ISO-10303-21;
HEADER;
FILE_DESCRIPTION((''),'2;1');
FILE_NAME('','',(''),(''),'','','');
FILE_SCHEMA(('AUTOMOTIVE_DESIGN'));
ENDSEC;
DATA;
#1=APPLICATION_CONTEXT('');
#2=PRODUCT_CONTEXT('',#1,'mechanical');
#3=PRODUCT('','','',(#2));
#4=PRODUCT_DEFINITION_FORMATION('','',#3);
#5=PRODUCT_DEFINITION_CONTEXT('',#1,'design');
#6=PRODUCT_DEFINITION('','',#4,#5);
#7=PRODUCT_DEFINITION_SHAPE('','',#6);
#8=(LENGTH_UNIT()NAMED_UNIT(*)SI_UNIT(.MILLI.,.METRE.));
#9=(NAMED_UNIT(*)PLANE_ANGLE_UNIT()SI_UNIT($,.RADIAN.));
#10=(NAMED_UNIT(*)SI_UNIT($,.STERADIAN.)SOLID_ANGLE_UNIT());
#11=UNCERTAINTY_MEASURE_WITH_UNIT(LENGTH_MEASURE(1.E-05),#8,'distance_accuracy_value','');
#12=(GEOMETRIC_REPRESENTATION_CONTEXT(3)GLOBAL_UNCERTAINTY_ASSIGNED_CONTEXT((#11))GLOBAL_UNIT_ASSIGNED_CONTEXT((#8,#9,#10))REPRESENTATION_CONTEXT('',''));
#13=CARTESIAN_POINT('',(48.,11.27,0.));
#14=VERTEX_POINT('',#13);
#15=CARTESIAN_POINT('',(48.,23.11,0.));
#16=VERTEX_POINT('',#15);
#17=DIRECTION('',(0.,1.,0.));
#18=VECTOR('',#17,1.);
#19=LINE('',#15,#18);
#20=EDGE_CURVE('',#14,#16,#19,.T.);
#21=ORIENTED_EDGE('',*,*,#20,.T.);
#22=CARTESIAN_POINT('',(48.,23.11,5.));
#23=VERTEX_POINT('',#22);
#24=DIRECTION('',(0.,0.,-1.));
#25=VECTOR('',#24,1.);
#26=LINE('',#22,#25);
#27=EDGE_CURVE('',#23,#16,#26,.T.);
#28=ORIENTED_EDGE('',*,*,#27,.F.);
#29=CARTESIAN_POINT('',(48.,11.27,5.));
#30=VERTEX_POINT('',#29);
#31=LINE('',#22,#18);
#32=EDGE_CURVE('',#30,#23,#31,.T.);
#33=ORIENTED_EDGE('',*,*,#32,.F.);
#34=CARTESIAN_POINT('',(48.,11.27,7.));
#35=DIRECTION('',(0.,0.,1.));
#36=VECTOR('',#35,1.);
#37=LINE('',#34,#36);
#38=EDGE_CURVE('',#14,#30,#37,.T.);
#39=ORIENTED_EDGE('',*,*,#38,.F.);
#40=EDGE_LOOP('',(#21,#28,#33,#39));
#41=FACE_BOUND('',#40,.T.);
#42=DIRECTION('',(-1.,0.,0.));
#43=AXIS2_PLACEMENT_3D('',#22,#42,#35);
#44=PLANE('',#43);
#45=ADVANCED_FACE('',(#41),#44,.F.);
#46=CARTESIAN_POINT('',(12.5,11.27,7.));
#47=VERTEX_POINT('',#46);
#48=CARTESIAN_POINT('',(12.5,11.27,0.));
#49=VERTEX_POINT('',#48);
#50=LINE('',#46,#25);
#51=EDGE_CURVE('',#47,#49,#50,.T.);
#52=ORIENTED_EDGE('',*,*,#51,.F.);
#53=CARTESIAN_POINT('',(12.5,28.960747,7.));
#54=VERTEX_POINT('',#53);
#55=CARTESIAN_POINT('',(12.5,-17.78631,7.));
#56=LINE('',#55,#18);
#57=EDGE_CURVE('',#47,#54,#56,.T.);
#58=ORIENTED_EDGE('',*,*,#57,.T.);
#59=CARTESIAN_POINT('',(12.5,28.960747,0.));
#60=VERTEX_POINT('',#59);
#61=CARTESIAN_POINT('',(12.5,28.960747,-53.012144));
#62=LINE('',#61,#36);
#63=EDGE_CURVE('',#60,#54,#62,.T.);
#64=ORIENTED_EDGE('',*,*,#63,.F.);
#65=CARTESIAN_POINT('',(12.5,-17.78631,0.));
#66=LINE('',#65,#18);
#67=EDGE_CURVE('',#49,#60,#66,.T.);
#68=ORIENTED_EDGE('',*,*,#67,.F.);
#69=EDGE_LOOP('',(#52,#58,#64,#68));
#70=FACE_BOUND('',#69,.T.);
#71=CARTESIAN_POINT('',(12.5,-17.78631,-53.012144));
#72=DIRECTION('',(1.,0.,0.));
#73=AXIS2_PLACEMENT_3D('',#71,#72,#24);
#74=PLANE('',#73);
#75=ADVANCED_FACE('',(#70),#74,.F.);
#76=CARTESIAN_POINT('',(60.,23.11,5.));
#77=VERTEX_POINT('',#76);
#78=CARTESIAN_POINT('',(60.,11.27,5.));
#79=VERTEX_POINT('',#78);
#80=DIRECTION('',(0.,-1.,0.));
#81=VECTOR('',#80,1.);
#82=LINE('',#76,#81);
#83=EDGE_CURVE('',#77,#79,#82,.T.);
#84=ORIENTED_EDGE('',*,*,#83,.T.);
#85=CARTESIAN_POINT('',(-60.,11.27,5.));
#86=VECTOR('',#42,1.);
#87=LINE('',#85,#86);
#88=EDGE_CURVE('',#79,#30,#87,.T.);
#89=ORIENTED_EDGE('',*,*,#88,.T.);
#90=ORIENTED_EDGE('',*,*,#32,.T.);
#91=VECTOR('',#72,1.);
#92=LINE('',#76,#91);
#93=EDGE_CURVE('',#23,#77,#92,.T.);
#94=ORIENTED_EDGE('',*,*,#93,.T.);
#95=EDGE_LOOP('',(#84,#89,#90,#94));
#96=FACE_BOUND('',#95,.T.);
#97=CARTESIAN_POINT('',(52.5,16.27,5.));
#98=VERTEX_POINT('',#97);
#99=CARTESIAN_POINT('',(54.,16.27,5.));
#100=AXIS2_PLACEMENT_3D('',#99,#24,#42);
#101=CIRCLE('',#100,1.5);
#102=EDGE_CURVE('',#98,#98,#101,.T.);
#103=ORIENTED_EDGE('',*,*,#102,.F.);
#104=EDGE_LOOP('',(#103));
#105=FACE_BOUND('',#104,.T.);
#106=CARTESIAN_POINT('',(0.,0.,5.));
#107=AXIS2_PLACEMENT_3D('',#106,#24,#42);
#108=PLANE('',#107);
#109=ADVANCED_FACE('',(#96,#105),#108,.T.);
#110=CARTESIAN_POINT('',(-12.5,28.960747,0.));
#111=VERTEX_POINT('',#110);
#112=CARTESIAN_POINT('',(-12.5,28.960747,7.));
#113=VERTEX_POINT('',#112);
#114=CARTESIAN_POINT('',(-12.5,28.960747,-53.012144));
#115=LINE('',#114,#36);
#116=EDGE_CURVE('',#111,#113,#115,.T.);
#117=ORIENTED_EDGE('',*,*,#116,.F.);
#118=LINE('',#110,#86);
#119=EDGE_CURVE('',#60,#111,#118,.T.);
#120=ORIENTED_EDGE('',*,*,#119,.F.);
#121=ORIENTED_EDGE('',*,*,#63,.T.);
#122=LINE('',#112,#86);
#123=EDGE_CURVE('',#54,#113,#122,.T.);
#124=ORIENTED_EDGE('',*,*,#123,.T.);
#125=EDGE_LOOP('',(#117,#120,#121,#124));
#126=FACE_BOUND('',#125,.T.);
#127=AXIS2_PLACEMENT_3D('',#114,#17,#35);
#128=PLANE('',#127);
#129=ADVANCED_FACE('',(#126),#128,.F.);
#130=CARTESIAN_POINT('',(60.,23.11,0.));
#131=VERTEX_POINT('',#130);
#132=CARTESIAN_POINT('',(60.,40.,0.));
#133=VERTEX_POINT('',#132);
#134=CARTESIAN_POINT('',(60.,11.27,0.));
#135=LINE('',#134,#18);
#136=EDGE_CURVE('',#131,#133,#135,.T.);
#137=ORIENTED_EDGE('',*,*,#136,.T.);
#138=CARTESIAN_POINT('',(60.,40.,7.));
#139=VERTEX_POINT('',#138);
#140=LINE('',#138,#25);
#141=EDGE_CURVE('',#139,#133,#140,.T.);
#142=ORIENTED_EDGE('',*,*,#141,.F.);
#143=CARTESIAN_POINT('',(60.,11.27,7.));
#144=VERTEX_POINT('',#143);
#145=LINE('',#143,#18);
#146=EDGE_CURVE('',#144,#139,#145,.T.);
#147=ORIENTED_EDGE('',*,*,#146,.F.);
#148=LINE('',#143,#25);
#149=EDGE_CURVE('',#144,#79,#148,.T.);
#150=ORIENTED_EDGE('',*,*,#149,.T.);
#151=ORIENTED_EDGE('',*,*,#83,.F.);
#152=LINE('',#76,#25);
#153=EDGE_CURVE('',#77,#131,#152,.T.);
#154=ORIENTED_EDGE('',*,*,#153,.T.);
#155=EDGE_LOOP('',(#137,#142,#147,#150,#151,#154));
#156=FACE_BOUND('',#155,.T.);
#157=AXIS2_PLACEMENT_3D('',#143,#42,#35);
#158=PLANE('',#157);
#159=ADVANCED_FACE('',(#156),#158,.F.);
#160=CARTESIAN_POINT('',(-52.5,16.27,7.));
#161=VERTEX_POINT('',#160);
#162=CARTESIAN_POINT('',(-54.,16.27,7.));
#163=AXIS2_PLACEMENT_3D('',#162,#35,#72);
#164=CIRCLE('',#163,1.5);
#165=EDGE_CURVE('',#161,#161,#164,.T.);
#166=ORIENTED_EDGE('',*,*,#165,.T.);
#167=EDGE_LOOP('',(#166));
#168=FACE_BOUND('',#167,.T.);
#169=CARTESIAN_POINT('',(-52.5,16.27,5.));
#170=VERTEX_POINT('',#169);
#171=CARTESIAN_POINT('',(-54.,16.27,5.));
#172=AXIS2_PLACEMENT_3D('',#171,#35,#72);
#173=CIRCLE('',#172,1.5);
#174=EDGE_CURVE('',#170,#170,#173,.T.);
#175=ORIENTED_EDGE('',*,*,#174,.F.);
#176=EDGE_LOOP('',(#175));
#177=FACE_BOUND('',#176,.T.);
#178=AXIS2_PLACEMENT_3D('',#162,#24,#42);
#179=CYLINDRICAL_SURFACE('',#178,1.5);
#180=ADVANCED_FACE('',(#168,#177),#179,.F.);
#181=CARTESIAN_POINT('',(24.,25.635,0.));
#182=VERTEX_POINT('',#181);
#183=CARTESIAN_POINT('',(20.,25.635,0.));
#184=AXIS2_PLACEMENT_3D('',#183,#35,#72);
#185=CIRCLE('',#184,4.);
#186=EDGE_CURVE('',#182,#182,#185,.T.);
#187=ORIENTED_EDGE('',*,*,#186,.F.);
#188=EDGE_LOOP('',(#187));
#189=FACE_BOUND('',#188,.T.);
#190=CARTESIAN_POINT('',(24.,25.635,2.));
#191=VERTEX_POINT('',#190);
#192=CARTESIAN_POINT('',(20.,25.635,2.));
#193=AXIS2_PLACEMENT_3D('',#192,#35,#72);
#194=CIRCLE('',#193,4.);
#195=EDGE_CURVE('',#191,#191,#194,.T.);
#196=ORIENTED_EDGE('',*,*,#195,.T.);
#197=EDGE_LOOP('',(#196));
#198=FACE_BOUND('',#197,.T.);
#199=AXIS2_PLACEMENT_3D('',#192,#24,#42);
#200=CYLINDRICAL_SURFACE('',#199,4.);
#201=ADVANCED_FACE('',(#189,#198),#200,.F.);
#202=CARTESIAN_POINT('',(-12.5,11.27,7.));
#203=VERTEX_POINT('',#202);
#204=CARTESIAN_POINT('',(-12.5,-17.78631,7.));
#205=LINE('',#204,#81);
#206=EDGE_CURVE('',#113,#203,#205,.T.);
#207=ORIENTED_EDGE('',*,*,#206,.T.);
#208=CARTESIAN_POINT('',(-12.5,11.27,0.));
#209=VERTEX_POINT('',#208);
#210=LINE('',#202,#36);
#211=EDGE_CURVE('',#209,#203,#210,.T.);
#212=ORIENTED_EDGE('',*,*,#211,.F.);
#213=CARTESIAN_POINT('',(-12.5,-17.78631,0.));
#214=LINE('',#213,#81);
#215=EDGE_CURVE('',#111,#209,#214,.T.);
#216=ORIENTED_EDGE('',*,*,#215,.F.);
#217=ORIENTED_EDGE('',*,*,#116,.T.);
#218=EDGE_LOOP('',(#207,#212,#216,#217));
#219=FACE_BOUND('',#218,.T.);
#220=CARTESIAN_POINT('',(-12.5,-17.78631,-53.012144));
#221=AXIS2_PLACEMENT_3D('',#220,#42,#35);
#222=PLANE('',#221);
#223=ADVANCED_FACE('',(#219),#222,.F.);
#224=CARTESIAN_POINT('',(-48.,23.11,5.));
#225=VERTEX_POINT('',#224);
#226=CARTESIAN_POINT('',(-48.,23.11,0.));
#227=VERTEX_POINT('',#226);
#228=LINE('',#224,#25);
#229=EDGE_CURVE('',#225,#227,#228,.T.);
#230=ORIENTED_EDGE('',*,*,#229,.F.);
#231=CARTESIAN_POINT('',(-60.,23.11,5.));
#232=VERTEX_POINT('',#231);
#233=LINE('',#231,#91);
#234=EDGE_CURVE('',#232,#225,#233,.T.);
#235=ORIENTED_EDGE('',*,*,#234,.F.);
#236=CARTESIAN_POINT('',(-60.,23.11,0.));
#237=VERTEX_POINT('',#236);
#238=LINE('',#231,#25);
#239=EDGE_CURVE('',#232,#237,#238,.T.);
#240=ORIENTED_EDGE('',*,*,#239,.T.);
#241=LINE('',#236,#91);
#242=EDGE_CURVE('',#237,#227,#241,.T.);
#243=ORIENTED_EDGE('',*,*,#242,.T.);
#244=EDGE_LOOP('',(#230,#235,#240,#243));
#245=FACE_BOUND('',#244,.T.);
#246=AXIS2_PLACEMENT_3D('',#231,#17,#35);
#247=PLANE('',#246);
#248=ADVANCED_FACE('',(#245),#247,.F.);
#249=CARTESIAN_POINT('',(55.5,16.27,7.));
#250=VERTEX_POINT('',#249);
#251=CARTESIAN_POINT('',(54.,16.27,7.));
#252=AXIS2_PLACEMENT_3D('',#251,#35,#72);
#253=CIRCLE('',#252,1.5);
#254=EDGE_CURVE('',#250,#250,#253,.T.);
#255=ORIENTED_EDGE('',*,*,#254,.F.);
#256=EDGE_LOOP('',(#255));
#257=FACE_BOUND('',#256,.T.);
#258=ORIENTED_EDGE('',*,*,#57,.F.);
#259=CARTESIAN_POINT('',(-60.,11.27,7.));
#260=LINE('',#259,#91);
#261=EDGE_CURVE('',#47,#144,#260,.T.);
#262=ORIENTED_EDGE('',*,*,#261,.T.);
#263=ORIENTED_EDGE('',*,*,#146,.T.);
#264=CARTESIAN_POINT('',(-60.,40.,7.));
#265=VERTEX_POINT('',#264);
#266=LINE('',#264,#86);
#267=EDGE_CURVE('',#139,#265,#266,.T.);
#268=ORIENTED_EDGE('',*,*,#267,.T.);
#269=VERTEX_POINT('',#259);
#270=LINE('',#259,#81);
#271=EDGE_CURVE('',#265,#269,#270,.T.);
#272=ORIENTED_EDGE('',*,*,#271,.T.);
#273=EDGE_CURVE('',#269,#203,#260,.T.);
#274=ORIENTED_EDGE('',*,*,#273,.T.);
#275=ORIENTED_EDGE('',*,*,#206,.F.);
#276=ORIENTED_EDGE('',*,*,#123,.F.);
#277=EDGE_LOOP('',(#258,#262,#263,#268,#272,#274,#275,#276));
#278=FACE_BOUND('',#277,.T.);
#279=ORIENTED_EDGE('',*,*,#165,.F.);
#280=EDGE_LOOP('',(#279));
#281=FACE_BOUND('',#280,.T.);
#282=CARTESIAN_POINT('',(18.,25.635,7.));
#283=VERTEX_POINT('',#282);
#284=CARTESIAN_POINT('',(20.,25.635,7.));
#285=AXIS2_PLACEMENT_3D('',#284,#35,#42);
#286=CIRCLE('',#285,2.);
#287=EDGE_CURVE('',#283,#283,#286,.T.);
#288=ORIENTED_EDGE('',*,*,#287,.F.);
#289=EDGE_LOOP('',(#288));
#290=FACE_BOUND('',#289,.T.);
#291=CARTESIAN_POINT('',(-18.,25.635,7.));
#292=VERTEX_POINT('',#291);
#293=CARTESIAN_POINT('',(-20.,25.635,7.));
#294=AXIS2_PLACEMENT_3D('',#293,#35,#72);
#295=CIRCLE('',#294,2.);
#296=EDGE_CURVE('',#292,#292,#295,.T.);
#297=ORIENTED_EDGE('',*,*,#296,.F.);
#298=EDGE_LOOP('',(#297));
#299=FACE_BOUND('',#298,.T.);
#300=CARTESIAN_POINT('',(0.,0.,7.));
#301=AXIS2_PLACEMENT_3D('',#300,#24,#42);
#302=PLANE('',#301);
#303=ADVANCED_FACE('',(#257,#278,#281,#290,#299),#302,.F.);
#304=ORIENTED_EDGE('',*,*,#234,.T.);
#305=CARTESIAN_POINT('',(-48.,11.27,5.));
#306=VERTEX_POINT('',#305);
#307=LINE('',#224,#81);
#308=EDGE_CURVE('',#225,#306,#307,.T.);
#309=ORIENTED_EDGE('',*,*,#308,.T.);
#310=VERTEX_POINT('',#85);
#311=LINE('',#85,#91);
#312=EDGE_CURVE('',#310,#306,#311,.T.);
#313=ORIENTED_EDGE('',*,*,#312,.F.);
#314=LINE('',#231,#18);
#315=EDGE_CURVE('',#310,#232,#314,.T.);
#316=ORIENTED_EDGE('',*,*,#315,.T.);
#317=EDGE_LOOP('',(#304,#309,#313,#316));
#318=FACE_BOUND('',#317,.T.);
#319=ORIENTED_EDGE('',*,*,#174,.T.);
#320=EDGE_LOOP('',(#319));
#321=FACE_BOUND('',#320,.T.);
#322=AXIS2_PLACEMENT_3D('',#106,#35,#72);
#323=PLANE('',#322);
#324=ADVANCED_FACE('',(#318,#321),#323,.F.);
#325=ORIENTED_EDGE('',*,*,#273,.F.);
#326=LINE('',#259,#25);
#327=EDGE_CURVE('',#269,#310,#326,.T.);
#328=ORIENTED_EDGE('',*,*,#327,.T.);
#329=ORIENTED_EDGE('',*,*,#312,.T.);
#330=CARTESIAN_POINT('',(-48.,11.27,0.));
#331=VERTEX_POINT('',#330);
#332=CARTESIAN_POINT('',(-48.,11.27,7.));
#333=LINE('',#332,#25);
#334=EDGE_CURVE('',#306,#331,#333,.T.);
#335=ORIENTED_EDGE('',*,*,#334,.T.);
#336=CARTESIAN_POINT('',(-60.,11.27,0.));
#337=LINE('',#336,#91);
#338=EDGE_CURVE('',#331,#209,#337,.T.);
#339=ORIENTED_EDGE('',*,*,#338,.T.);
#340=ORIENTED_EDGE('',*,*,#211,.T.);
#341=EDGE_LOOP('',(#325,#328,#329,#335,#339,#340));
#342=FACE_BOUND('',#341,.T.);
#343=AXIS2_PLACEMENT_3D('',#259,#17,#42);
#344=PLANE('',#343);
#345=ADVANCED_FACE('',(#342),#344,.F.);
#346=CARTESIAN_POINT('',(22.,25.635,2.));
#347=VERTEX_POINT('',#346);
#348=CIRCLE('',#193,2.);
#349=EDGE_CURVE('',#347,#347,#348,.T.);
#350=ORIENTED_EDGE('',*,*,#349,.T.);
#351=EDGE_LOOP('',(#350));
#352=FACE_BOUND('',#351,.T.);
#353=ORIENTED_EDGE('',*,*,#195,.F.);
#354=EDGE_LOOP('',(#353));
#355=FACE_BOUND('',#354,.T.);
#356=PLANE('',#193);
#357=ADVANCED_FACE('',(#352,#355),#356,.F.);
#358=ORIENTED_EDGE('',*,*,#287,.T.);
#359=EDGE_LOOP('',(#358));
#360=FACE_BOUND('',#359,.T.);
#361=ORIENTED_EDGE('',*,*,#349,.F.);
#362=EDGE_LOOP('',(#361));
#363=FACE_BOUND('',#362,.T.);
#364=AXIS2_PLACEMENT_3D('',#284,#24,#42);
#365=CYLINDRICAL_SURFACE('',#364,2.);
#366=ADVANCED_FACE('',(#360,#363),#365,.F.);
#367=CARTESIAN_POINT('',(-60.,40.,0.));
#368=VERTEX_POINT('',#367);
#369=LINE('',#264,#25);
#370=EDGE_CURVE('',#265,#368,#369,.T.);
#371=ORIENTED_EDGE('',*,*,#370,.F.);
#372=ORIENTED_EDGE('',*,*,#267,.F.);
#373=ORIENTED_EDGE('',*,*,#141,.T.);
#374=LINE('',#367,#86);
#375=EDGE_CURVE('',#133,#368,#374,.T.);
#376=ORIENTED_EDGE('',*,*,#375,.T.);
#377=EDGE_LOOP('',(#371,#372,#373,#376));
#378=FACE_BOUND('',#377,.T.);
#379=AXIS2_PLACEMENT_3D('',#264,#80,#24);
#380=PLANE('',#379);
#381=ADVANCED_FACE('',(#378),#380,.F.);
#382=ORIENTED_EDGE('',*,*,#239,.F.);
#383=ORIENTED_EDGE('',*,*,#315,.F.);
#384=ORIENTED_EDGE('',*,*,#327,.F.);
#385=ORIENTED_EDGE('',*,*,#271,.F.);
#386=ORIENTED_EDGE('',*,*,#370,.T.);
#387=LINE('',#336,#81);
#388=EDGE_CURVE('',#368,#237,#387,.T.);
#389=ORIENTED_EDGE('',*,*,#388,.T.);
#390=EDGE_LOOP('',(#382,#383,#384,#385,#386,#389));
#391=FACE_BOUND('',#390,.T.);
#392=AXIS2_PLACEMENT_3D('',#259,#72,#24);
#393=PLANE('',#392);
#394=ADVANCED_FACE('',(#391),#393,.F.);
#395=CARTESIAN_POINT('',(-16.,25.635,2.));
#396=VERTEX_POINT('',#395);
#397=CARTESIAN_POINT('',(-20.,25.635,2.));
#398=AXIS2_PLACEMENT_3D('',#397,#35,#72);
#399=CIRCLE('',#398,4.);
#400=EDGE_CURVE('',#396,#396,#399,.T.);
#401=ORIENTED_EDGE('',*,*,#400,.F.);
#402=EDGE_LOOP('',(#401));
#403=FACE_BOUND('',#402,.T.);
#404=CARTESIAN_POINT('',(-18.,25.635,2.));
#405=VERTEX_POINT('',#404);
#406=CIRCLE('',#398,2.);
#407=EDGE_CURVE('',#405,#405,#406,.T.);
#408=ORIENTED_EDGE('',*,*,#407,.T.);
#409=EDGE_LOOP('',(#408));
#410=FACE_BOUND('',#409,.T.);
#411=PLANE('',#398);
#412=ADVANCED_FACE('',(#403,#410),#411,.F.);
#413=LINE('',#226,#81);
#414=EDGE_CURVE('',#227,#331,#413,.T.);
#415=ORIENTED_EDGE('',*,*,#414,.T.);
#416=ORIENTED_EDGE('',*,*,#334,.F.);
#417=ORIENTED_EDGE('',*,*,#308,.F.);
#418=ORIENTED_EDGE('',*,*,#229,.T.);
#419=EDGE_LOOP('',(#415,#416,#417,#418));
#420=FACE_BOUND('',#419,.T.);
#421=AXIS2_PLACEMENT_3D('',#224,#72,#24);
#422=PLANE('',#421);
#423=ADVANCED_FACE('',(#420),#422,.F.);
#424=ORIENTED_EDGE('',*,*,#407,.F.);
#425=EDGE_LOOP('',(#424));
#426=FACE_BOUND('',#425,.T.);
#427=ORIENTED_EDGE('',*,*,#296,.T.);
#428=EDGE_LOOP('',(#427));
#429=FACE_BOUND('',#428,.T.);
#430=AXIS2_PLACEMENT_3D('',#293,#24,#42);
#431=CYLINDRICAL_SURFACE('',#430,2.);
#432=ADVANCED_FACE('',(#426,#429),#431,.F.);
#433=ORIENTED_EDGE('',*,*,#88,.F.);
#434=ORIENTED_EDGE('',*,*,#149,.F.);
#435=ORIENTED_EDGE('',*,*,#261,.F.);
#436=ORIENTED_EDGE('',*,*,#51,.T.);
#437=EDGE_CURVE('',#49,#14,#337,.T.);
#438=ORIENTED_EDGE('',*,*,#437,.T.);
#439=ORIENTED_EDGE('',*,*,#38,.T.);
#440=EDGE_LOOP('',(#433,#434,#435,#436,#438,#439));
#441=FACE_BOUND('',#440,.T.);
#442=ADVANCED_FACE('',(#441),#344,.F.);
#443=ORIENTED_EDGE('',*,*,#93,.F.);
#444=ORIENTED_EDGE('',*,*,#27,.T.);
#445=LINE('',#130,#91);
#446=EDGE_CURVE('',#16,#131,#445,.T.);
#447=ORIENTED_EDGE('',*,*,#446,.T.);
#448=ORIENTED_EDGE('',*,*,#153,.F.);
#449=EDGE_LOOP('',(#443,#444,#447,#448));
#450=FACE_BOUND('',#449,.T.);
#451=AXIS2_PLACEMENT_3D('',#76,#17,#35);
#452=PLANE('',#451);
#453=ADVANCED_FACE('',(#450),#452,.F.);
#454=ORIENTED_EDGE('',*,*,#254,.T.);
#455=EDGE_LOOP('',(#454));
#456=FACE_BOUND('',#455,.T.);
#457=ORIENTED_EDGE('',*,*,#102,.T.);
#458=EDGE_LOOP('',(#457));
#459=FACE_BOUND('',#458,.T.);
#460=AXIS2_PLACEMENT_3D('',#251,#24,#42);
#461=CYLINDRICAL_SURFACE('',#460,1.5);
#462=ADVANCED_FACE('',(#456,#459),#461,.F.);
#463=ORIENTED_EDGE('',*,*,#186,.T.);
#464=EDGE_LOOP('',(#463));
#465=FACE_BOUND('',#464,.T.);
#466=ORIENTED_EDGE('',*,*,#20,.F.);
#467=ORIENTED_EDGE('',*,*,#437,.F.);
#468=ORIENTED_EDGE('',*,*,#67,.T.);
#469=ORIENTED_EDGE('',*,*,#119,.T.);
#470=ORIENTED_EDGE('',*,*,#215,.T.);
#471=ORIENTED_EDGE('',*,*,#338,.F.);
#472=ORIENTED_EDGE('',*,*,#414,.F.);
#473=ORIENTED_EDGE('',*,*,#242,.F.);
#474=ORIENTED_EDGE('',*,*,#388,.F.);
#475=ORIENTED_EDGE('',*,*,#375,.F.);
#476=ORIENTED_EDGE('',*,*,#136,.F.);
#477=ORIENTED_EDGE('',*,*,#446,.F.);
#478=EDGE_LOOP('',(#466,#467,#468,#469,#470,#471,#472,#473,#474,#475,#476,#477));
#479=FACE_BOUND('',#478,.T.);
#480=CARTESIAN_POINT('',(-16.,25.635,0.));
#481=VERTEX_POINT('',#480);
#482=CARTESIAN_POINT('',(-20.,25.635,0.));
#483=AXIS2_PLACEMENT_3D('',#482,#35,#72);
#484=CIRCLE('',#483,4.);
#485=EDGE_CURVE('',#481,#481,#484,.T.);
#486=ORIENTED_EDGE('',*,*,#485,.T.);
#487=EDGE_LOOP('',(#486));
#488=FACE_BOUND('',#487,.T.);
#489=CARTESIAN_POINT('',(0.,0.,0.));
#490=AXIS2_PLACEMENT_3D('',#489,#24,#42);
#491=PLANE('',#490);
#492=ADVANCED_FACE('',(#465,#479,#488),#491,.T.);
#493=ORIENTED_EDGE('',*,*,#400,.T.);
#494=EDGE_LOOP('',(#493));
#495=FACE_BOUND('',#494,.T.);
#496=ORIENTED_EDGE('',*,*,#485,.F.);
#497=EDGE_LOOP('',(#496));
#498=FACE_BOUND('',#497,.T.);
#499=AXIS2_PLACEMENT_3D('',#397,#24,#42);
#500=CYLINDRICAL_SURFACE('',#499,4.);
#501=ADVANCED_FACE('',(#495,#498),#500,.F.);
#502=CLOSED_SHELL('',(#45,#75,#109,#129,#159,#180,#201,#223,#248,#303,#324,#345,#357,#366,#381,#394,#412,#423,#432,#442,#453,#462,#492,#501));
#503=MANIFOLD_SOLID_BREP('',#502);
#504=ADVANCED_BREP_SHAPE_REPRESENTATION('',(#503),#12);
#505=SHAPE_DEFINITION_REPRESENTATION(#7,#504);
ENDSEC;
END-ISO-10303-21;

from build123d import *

# Parameters (mm, degrees)
SKETCH2_W           = 120
SKETCH2_H           = 28.73
SKETCH2_R           = 1.5
SKETCH2_R_2         = 2
BOSS_EXTRUDE1_DEPTH = 7
SKETCH3_W           = 12
SKETCH3_H           = 13.95
CUT_EXTRUDE1_DEPTH  = 5
SKETCH4_W           = 25
SKETCH4_H           = 46.747057702
CUT_EXTRUDE2_DEPTH  = 7
SKETCH5_R           = 4
CUT_EXTRUDE3_DEPTH  = 2


with BuildPart() as part:
    # Sketch2 → Boss-Extrude1 (new body)
    with BuildSketch(Plane.XY):
        with Locations((0, 25.635)):
            Rectangle(SKETCH2_W, SKETCH2_H)
        with Locations((-54, 16.27)):
            Circle(SKETCH2_R, mode=Mode.SUBTRACT)
        with Locations((54, 16.27)):
            Circle(SKETCH2_R, mode=Mode.SUBTRACT)
        with Locations((-20, 25.635)):
            Circle(SKETCH2_R_2, mode=Mode.SUBTRACT)
        with Locations(Location((20, 25.635, 0), (0, 0, 180))):
            Circle(SKETCH2_R_2, mode=Mode.SUBTRACT)
    extrude(amount=BOSS_EXTRUDE1_DEPTH)

    # Sketch3 → Cut-Extrude1 (cut)
    with BuildSketch(Plane(origin=(0, 0, 0), x_dir=(-1, 0, 0), z_dir=(0, 0, -1))):
        with Locations((-54, 16.135)):
            Rectangle(SKETCH3_W, SKETCH3_H)
        with Locations((54, 16.135)):
            Rectangle(SKETCH3_W, SKETCH3_H)
    extrude(amount=-CUT_EXTRUDE1_DEPTH, mode=Mode.SUBTRACT)

    # Sketch4 → Cut-Extrude2 (cut)
    with BuildSketch(Plane.XY.offset(7)):
        with Locations((0, 5.58721862)):
            Rectangle(SKETCH4_W, SKETCH4_H)
    extrude(amount=-CUT_EXTRUDE2_DEPTH, mode=Mode.SUBTRACT)

    # Sketch5 → Cut-Extrude3 (cut)
    with BuildSketch(Plane.XY):
        with Locations((20, 25.635)):
            Circle(SKETCH5_R)
        with Locations((-20, 25.635)):
            Circle(SKETCH5_R)
    extrude(amount=CUT_EXTRUDE3_DEPTH, mode=Mode.SUBTRACT)


solid = part.part
